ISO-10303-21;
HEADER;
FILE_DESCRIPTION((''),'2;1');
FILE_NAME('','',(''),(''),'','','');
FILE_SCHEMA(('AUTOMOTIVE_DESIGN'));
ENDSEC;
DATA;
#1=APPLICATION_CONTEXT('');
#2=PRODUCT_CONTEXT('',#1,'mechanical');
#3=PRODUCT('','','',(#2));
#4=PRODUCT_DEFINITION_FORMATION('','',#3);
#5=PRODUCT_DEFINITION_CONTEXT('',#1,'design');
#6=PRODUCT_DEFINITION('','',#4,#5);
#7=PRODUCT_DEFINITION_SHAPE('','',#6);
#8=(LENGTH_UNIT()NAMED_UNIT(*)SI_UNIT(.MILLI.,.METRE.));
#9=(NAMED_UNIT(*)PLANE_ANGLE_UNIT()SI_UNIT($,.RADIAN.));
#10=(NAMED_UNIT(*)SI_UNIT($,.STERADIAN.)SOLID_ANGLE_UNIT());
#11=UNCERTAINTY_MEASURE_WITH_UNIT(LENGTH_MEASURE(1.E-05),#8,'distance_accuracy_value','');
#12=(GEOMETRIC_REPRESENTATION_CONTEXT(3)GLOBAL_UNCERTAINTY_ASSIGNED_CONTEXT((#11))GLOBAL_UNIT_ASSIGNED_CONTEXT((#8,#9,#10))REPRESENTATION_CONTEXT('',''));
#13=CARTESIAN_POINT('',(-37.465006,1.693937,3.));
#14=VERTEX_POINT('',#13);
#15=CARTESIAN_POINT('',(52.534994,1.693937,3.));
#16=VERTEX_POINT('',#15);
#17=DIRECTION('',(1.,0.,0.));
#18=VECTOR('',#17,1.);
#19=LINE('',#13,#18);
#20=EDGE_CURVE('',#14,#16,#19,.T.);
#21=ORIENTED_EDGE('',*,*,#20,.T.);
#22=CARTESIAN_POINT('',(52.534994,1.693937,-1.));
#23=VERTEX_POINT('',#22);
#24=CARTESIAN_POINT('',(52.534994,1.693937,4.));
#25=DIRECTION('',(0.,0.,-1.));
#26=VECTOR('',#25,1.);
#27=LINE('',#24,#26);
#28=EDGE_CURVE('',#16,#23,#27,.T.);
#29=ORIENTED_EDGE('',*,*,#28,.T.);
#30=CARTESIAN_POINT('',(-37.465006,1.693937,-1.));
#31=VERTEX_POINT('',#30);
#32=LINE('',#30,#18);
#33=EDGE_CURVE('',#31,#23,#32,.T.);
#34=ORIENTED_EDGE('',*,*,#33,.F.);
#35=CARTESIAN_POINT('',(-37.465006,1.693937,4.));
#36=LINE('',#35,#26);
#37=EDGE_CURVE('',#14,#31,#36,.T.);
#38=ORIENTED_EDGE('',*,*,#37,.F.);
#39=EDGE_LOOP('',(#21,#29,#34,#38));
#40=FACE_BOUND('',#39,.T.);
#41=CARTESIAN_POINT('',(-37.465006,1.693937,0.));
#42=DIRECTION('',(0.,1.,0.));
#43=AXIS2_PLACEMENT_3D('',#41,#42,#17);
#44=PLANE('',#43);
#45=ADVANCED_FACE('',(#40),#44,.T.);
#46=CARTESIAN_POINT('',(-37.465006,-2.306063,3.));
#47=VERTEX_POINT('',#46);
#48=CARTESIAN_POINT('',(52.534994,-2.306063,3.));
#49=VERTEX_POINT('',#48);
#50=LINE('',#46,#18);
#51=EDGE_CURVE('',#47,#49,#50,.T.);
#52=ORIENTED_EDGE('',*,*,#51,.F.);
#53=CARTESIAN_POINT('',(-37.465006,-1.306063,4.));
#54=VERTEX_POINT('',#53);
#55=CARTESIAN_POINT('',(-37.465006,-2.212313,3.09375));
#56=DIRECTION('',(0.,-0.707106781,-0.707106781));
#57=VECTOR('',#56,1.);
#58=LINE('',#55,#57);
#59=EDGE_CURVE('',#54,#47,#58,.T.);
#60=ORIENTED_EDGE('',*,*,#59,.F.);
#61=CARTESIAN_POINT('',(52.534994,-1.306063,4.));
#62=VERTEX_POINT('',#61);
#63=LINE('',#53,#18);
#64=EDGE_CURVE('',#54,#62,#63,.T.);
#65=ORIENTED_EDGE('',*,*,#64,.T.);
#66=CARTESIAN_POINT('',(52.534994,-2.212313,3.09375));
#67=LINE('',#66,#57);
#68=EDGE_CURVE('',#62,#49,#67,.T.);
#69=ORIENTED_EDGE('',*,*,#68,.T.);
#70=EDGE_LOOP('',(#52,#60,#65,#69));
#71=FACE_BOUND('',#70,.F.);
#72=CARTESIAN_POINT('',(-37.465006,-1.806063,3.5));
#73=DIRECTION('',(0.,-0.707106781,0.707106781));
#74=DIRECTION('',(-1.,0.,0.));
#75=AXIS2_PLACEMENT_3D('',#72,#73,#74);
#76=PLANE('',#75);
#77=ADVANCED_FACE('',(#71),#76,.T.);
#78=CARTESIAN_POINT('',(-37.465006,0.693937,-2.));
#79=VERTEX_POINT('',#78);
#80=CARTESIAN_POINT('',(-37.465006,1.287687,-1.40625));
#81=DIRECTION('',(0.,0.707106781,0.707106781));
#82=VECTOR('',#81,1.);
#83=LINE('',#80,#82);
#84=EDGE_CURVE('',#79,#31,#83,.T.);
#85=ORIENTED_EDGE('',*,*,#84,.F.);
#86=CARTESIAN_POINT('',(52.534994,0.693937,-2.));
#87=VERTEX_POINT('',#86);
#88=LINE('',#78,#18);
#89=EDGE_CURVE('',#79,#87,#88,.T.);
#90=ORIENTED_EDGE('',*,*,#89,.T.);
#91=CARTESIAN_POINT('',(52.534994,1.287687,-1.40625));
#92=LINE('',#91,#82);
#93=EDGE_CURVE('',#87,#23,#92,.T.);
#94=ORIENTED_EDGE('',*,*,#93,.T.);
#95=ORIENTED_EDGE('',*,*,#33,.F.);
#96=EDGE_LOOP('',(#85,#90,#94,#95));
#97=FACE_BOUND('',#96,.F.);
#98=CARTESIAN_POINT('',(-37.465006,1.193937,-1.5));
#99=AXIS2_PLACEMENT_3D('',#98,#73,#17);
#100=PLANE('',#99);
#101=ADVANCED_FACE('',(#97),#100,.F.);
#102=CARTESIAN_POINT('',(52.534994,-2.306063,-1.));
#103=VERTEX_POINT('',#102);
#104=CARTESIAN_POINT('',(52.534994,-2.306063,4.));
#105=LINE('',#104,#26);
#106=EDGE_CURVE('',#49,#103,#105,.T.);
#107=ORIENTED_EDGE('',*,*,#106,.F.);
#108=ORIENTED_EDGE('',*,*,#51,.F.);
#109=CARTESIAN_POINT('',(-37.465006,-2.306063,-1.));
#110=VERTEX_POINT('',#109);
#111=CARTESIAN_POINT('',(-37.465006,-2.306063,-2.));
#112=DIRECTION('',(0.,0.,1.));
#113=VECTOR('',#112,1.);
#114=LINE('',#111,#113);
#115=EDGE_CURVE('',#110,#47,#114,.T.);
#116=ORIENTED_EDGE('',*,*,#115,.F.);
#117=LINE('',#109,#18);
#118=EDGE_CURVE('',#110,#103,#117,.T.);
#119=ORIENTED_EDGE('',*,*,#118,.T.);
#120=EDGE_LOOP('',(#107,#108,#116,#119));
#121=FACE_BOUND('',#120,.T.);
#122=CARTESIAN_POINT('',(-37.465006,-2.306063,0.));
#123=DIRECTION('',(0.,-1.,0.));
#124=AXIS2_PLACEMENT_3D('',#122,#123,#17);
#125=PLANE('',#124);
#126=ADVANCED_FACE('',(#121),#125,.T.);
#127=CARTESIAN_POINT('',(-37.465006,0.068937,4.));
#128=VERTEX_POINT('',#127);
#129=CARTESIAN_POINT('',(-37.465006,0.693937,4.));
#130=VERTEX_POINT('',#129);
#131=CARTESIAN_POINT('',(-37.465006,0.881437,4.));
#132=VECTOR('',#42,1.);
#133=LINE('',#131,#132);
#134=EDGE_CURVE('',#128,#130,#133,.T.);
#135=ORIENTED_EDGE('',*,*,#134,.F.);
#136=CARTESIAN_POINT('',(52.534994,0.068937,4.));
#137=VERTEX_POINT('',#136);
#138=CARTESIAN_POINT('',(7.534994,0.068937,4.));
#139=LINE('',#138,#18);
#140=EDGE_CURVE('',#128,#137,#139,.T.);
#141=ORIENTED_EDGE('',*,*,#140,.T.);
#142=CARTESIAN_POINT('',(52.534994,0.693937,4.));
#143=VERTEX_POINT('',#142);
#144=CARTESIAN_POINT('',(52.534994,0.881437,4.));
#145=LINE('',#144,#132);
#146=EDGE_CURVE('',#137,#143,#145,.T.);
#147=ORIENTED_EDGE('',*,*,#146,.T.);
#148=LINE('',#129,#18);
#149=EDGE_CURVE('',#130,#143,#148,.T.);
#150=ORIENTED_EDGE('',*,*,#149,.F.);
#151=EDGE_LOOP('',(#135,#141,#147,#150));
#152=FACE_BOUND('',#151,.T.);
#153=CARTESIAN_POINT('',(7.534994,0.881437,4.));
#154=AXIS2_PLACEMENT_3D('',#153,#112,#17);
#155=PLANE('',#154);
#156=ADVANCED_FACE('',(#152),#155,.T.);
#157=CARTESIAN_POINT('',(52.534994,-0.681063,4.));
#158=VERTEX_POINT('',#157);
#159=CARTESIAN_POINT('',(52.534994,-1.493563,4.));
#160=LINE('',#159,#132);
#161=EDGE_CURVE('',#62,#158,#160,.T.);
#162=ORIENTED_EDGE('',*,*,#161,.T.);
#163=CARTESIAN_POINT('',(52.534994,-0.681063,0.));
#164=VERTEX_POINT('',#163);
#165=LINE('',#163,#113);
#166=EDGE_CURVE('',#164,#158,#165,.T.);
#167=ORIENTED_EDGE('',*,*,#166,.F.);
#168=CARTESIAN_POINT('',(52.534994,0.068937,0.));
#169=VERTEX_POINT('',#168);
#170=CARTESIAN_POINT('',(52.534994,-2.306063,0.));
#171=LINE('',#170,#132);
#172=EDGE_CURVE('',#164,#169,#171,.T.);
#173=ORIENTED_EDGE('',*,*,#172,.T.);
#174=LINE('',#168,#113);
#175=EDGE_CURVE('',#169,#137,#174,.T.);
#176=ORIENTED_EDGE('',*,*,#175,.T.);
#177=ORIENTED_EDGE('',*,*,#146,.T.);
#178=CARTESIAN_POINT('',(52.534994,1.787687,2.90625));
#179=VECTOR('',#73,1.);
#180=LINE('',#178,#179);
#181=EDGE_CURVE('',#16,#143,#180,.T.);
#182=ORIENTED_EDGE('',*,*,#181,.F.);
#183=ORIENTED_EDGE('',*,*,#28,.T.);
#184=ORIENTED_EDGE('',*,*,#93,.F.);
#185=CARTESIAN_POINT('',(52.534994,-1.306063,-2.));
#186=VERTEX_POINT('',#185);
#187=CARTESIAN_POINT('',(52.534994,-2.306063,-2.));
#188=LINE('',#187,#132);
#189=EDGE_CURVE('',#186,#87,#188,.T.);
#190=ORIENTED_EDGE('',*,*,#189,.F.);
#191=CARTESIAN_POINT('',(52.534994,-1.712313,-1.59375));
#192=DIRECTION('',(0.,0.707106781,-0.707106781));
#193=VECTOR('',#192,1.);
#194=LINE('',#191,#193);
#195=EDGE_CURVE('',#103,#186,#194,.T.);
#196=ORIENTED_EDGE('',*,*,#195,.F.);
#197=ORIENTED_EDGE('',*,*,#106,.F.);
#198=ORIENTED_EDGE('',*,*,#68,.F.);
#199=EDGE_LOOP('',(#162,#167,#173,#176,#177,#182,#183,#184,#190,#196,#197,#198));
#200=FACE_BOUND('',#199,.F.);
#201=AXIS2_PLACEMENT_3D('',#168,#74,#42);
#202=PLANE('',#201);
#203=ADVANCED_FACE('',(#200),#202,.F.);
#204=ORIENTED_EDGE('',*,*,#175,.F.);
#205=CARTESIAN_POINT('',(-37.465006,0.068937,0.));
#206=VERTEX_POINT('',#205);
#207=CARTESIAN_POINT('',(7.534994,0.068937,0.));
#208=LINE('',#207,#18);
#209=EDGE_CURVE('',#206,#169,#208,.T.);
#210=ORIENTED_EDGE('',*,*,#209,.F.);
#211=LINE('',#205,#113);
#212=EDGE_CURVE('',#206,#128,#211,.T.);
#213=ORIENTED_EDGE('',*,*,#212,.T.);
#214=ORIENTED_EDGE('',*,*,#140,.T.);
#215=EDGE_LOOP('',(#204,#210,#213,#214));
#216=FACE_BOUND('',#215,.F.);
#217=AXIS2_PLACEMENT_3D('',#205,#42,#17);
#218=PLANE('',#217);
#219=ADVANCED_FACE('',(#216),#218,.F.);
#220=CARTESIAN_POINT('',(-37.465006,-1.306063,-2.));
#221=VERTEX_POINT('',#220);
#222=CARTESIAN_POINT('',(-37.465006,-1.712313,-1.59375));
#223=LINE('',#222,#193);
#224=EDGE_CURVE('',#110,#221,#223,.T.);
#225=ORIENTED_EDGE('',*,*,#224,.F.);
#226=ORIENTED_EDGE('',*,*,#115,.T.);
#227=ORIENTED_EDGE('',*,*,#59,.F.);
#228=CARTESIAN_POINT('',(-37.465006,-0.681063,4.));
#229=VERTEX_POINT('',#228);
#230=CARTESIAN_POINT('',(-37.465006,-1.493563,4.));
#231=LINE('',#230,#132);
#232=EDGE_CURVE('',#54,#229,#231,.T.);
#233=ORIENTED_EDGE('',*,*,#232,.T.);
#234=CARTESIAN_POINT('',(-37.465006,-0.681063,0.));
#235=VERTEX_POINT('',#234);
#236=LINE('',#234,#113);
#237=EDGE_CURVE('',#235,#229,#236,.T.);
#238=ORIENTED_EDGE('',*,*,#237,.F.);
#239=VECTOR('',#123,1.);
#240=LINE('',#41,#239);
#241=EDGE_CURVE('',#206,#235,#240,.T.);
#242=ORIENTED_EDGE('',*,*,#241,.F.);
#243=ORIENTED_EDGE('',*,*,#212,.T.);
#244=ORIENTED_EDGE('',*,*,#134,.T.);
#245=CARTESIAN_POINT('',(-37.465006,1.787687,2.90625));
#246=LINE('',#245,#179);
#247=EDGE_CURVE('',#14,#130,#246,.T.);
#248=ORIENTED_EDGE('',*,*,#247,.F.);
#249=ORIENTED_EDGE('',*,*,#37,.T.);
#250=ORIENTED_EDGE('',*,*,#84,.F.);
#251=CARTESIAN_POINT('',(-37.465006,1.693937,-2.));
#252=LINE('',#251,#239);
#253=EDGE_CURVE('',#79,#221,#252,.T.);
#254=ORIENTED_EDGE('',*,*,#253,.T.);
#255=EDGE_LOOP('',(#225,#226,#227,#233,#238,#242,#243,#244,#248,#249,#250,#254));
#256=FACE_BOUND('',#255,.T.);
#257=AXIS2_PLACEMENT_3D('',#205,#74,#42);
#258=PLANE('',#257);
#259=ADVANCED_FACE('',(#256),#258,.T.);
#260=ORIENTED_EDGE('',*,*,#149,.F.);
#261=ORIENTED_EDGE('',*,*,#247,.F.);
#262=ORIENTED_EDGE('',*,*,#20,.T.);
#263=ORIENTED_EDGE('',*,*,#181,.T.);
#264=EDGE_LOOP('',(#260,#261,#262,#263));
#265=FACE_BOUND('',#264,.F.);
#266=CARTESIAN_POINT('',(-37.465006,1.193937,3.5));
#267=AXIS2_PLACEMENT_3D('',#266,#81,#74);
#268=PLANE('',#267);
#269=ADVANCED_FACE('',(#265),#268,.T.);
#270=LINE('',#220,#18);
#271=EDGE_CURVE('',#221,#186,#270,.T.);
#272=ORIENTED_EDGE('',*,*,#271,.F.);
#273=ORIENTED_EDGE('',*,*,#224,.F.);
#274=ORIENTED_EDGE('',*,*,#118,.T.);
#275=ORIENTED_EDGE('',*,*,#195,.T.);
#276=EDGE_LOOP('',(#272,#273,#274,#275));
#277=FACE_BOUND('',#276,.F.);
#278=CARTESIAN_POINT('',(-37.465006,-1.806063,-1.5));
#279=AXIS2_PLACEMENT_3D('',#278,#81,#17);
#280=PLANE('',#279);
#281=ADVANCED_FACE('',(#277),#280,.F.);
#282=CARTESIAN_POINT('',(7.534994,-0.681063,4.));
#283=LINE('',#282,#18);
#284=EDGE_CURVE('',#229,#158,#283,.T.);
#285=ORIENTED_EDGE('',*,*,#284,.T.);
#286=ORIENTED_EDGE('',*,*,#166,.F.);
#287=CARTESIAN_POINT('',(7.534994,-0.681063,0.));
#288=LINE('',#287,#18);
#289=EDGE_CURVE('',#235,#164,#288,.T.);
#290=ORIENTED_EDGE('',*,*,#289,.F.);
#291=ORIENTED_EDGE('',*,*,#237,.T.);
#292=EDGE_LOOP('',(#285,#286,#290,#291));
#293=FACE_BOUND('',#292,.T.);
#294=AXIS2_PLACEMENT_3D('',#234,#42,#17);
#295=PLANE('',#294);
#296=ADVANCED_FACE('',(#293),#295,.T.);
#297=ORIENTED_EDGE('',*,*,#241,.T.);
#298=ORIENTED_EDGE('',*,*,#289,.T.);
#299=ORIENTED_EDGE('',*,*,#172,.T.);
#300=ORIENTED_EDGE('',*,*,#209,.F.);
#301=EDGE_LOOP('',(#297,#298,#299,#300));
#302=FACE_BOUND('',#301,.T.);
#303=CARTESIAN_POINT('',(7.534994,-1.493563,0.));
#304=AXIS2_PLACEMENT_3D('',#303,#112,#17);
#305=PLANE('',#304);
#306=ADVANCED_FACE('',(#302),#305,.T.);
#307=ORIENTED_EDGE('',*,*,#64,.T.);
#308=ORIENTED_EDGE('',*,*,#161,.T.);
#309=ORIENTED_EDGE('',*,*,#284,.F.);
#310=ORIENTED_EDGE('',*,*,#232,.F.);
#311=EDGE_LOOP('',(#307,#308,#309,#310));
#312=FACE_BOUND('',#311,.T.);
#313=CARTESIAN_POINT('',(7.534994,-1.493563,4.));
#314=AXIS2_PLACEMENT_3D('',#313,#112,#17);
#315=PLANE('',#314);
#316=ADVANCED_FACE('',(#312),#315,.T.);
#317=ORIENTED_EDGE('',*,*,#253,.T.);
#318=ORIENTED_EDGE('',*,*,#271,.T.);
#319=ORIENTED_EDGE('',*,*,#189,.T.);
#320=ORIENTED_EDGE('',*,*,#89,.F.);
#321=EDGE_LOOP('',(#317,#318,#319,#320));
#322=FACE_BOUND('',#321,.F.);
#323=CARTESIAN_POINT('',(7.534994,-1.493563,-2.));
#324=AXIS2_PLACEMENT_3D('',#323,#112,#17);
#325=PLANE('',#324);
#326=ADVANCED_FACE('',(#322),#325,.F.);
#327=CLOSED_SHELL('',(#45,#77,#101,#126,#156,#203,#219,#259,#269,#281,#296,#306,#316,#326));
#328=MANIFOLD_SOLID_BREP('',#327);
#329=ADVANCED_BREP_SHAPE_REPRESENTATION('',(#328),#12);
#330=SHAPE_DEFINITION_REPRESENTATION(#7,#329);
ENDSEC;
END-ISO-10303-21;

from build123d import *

# Parameters (mm, degrees)
F0_W     = 90
F0_H     = 1.625
F0_H_2   = 0.75
F1_DEPTH = 2
F2_DEPTH = 4
F3_SIZE2 = 1
F3_SIZE  = 1


with BuildPart() as f1:
    # F0 (on Top) → F1 (new body)
    with BuildSketch(Plane.XY):
        with Locations((7.534994, -1.493563)):
            Rectangle(F0_W, F0_H)
        with Locations((7.534994, -0.306063)):
            Rectangle(F0_W, F0_H_2)
        with Locations((7.534994, 0.881437)):
            Rectangle(F0_W, F0_H)
    extrude(amount=-F1_DEPTH)

    # F0 (on Top) → F2 (join)
    with BuildSketch(Plane.XY):
        with Locations((7.534994, 0.881437)):
            Rectangle(F0_W, F0_H)
        with Locations((7.534994, -1.493563)):
            Rectangle(F0_W, F0_H)
    extrude(amount=F2_DEPTH)

    # F3
    f3_edges = [f1.edges().sort_by_distance(p)[0] for p in [
        (7.534994, 1.693937, -2),
        (7.534994, -2.306063, -2),
        (7.534994, 1.693937, 4),
        (7.534994, -2.306063, 4),
    ]]
    chamfer(f3_edges, length=F3_SIZE, length2=F3_SIZE2)


solid = f1.part
